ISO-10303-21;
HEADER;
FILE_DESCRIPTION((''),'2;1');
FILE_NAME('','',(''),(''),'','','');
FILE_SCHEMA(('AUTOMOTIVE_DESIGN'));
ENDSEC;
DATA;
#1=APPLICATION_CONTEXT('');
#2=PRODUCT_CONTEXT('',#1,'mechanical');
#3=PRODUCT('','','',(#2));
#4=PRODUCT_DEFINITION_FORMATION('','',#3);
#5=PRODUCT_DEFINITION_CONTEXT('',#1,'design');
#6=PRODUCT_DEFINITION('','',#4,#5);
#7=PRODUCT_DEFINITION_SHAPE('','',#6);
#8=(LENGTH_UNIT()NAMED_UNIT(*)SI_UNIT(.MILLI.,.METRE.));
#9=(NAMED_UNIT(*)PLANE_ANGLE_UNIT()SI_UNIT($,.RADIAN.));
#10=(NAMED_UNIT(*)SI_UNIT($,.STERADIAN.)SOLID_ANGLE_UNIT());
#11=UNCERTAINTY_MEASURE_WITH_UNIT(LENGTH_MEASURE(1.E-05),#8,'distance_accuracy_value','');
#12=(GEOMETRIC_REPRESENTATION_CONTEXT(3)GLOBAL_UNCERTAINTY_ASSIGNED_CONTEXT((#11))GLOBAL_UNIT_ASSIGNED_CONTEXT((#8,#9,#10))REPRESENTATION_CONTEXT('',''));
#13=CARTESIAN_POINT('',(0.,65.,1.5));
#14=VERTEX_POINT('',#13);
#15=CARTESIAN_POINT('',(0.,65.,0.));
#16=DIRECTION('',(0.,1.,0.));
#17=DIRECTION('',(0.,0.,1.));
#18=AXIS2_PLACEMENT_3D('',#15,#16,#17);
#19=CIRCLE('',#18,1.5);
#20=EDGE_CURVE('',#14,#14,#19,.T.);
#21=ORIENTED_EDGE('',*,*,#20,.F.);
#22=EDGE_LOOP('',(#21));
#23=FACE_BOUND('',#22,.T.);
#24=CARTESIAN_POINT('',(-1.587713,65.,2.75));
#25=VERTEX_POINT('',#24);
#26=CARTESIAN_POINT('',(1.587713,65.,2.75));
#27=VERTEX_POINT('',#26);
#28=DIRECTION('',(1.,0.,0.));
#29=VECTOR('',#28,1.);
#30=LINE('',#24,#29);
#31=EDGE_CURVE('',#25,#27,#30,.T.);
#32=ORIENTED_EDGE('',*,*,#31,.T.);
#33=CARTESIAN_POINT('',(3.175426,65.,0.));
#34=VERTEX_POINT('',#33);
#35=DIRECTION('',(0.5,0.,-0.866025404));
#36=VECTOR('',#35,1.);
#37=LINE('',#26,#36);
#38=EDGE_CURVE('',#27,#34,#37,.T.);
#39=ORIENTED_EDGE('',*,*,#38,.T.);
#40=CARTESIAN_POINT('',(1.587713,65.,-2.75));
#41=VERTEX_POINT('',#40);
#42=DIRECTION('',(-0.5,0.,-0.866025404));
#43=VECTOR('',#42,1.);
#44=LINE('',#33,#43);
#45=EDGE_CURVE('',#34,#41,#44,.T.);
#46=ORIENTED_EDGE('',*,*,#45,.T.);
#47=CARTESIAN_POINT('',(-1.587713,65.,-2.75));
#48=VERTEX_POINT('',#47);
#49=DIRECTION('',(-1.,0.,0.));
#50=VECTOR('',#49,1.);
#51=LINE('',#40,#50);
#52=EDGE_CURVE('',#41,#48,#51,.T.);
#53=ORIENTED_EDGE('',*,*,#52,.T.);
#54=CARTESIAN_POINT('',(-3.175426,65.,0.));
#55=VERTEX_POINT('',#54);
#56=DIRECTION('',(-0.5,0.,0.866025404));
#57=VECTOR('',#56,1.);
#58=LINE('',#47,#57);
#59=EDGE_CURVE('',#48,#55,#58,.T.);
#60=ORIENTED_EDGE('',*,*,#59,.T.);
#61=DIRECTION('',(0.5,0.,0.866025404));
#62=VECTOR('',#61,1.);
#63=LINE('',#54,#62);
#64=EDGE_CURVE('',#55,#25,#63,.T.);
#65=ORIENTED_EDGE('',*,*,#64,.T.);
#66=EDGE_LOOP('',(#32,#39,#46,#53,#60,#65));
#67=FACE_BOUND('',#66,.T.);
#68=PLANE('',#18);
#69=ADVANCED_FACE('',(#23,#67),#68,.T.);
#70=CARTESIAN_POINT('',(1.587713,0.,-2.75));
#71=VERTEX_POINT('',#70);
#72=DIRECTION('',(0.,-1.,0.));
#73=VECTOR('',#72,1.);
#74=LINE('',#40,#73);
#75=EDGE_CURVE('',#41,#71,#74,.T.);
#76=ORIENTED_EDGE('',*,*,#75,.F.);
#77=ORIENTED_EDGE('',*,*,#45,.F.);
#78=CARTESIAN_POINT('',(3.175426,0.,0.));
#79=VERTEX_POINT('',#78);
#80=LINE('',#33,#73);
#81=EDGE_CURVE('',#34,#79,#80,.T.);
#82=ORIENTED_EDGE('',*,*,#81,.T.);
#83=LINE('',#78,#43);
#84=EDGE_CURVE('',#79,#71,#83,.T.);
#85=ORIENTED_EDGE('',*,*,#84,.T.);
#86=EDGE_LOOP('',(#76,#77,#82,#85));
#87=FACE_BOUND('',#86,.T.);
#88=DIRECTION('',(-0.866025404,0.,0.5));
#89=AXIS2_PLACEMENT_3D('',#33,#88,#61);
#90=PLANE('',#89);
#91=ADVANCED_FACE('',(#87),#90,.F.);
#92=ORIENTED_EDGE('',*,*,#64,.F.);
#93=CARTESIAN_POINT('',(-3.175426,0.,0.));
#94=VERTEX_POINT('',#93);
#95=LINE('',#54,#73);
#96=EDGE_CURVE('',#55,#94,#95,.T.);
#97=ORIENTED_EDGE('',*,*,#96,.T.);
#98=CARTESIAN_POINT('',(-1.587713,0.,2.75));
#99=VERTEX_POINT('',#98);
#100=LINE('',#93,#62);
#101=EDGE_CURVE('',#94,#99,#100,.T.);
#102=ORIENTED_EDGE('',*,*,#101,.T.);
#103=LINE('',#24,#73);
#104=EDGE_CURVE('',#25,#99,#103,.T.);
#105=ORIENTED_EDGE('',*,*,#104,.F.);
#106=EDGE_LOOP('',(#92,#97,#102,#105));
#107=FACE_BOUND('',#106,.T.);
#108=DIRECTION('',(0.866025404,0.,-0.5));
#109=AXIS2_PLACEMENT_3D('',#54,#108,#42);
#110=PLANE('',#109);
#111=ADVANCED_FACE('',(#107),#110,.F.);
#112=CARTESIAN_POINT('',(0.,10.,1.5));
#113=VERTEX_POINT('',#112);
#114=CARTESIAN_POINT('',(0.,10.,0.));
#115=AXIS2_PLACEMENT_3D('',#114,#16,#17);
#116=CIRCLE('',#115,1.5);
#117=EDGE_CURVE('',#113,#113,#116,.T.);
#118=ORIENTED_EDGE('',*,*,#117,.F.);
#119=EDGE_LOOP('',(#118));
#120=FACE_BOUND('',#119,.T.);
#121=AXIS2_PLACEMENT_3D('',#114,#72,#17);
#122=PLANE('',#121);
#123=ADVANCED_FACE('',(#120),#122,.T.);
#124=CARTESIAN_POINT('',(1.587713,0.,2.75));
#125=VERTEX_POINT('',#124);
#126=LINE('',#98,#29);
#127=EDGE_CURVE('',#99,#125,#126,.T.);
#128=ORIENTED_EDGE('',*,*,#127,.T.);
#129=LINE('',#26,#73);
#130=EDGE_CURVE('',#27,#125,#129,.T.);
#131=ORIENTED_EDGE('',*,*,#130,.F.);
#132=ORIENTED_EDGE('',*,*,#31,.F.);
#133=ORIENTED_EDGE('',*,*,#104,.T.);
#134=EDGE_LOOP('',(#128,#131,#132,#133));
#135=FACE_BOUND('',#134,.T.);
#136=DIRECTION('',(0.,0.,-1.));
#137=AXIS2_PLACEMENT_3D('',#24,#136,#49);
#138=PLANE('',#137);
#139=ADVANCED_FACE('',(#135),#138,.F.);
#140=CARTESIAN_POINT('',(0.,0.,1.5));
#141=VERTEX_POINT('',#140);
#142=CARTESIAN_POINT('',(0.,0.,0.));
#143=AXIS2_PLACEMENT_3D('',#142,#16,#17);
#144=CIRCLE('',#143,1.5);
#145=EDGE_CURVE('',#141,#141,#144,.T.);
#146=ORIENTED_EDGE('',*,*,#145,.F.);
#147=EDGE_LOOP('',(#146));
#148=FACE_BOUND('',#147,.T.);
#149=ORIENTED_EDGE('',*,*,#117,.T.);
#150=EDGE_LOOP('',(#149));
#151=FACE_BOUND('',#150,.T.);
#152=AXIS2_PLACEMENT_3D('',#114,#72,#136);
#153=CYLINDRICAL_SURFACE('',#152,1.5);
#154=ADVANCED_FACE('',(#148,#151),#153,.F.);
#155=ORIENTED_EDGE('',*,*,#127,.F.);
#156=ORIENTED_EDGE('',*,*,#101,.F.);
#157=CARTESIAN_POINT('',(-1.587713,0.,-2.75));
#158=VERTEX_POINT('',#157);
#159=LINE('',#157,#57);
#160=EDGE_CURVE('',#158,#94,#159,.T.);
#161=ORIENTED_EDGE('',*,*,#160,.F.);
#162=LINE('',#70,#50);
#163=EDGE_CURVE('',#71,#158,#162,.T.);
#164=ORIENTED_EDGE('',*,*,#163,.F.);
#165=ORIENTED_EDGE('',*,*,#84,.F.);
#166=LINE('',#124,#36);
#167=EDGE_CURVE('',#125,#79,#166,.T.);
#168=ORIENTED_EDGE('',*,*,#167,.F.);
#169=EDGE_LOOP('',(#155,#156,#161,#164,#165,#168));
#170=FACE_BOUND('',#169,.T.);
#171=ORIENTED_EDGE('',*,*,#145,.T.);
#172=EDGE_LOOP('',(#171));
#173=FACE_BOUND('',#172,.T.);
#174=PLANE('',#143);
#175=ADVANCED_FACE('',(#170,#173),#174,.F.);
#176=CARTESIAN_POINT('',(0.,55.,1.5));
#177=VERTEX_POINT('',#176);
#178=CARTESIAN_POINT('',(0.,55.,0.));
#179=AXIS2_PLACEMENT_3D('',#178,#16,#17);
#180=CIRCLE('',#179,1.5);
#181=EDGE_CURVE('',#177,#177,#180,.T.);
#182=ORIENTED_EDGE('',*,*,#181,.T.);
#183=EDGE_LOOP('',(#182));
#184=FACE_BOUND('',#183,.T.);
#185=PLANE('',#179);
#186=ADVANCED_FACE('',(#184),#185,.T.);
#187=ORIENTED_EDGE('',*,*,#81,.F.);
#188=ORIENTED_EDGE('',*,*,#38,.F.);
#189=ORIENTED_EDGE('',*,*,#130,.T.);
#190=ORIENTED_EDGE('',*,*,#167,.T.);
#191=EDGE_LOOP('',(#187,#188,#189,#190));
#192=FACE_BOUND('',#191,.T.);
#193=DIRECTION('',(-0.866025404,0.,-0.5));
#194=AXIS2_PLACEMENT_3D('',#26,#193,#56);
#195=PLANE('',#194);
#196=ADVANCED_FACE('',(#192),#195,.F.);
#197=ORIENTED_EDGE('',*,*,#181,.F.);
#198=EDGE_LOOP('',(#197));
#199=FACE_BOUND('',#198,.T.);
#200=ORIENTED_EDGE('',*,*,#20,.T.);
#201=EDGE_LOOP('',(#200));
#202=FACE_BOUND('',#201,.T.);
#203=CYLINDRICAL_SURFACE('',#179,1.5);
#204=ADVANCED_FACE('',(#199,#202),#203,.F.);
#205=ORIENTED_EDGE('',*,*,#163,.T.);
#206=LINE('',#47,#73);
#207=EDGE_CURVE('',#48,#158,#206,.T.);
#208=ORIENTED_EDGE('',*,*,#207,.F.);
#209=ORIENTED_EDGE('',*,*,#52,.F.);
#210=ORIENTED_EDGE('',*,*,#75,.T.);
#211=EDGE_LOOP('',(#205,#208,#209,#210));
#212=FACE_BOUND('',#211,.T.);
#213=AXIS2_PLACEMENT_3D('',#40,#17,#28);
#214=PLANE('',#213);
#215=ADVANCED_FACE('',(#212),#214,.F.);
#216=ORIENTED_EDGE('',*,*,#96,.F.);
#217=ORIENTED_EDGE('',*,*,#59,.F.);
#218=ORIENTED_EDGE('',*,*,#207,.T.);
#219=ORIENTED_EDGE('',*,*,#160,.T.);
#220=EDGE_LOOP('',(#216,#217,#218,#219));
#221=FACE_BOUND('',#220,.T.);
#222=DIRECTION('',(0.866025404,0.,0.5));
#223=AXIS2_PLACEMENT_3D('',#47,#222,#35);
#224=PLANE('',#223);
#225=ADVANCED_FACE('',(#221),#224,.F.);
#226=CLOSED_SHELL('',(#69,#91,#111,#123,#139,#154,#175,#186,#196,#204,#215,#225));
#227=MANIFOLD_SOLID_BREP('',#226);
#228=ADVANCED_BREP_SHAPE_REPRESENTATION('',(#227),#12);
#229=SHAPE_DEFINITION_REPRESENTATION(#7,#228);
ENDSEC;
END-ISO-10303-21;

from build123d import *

# Parameters (mm, degrees)
BOSS_EXTRUDE1_DEPTH = 65
SKETCH2_R           = 1.5
CUT_EXTRUDE1_DEPTH  = 10


with BuildPart() as part:
    # Sketch1 → Boss-Extrude1 (new body)
    with BuildSketch(Plane(origin=(0, 0, 0), x_dir=(1, 0, 0), z_dir=(0, 1, 0))):
        Polygon((3.175426481, 0), (1.58771324, 2.75), (-1.58771324, 2.75), (-3.175426481, 0), (-1.58771324, -2.75), (1.58771324, -2.75), align=None)
    extrude(amount=BOSS_EXTRUDE1_DEPTH)

    # Sketch2 → Cut-Extrude1 (cut)
    with BuildSketch(Plane(origin=(0, 65, 0), x_dir=(1, 0, 0), z_dir=(0, 1, 0))):
        with Locations(Location((0, 0, 0), (0, 0, 270))):
            Circle(SKETCH2_R)
    cut_extrude1 = extrude(amount=-CUT_EXTRUDE1_DEPTH, mode=Mode.SUBTRACT)

    # Mirror1: Cut-Extrude1 across plane
    add(cut_extrude1.mirror(Plane(origin=(0, 32.5, 0), x_dir=(0, 0, 1), z_dir=(0, -1, 0))), mode=Mode.SUBTRACT)


solid = part.part
